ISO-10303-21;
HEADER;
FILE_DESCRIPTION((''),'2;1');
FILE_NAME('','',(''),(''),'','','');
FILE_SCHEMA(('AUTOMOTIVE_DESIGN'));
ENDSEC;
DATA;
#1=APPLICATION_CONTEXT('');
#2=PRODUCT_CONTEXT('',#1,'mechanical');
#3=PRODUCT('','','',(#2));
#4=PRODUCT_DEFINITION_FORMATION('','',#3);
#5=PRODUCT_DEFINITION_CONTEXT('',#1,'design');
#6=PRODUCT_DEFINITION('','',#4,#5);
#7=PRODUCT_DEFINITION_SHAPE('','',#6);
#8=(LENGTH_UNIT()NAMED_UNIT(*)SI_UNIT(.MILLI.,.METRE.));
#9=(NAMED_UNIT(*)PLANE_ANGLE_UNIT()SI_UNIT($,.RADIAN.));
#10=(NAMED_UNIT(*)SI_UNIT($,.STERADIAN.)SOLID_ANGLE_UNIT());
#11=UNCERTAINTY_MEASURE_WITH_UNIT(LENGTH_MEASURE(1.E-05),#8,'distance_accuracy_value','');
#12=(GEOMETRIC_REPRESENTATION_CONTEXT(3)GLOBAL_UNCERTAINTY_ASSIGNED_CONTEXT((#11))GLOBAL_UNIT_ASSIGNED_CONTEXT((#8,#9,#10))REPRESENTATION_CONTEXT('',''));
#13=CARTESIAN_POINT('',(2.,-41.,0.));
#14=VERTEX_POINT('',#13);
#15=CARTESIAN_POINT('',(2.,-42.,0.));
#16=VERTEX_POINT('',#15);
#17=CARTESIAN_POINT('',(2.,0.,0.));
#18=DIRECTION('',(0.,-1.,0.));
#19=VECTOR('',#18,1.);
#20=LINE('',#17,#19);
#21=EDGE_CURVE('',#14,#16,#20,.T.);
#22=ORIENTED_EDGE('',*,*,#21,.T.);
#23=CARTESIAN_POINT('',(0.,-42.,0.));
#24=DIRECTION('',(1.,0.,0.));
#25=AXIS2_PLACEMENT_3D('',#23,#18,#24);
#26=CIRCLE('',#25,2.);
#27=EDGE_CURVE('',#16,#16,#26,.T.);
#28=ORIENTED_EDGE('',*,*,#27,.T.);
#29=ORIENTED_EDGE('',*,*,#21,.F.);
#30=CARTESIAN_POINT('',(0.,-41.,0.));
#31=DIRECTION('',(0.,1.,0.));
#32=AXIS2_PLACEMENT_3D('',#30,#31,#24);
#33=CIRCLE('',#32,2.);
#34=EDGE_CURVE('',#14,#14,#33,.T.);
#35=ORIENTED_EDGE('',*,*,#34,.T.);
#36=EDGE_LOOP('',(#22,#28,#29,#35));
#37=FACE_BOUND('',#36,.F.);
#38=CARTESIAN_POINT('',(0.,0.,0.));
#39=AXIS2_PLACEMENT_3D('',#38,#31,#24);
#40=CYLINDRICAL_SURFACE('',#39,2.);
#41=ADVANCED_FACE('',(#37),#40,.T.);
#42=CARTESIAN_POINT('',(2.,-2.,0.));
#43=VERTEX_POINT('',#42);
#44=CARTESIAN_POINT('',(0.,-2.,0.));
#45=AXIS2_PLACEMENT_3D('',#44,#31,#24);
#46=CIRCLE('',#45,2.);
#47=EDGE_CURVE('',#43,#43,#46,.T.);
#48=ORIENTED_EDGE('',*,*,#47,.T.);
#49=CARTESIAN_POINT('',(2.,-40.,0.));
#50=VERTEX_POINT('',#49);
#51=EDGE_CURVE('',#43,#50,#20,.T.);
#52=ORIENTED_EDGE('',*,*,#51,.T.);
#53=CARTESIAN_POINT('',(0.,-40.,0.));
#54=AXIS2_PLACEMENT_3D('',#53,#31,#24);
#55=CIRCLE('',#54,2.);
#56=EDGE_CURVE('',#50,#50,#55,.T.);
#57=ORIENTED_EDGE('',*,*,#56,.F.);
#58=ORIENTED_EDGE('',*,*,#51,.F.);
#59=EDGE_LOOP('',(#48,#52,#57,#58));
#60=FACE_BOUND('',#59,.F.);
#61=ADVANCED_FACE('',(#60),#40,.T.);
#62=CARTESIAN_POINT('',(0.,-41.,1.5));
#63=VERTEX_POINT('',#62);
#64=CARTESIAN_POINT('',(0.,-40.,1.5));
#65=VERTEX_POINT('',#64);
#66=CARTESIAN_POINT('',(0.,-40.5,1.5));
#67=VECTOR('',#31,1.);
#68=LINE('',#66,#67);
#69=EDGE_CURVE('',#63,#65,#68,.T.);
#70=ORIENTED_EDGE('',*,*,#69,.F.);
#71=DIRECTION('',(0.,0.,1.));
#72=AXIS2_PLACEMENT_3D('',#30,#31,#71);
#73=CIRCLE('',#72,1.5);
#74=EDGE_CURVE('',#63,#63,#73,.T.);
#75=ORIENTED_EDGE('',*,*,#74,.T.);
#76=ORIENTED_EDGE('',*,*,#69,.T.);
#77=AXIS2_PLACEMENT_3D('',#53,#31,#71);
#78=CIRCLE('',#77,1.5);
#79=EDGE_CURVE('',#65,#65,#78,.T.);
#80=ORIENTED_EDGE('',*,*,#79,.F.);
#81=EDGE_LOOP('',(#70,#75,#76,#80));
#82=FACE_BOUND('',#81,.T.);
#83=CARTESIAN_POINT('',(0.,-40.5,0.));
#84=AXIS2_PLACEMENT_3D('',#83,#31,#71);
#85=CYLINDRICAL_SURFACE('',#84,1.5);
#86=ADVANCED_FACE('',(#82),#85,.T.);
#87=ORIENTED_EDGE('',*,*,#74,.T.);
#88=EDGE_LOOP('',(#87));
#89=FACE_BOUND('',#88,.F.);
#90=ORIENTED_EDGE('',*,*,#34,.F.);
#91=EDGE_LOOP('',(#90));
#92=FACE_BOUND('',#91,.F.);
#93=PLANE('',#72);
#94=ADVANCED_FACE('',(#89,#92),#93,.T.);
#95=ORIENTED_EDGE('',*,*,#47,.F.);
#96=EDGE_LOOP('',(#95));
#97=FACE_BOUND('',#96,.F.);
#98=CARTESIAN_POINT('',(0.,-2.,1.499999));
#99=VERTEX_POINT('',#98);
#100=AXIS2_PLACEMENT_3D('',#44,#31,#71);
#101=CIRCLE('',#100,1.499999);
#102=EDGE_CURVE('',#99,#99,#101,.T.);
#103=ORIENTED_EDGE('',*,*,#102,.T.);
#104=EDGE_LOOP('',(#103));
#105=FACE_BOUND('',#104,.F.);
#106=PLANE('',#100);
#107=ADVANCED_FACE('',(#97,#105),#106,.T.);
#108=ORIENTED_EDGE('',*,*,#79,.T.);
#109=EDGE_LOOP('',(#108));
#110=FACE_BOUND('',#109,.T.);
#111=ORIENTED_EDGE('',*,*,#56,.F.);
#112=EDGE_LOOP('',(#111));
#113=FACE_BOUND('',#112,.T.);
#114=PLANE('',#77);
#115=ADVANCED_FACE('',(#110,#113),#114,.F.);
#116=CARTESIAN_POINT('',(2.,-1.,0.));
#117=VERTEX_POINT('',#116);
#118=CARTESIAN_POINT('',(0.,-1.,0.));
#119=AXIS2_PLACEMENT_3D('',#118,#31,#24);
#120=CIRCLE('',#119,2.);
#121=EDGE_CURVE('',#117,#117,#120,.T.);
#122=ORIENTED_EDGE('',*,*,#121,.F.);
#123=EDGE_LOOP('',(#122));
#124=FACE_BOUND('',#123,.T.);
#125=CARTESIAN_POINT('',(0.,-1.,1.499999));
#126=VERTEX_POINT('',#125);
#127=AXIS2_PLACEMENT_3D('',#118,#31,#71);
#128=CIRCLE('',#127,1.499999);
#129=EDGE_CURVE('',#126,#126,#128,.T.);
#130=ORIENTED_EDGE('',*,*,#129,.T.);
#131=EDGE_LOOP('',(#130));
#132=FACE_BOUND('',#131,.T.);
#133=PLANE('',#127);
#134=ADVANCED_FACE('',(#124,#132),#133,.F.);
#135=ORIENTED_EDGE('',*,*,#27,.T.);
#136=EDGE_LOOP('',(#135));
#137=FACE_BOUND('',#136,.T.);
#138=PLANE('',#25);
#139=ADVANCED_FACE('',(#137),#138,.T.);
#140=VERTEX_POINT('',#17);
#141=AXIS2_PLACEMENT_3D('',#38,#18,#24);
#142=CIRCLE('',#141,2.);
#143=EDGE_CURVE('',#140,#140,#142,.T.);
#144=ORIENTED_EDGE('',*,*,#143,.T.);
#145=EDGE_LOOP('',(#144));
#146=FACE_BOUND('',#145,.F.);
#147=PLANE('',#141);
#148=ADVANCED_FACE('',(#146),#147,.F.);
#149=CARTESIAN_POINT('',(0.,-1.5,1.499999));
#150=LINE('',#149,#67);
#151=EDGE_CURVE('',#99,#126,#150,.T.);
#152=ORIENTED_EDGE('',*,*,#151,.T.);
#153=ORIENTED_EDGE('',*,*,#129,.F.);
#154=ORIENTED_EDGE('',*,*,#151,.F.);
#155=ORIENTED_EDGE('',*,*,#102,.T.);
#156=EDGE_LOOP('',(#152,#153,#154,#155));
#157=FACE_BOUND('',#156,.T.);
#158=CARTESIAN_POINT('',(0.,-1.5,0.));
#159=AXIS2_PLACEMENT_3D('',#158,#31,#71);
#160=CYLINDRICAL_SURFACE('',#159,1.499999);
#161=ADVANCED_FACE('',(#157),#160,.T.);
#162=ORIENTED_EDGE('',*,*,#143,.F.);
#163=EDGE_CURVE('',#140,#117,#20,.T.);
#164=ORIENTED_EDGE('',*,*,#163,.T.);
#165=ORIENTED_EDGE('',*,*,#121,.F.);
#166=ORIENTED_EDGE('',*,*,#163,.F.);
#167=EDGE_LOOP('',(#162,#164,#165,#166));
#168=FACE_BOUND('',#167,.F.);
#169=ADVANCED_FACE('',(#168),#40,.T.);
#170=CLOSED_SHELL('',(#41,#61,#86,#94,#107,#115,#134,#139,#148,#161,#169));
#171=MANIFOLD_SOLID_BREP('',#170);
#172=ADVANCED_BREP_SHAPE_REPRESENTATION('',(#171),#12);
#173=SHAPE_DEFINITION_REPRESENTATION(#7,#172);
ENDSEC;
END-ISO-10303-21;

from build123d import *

# Parameters (mm, degrees)
F0_R     = 2
F1_DEPTH = 42
F2_W     = 1
F2_H     = 4.527544
F2_H_2   = 5.616845


with BuildPart() as f1:
    # F0 (on Front) → F1 (new body)
    with BuildSketch(Plane.XZ):
        Circle(F0_R)
    extrude(amount=F1_DEPTH)

    # F2 (on Right) → F3 (revolve, cut)
    with BuildSketch(Plane.YZ):
        with Locations((-40.5, 3.763772)):
            Rectangle(F2_W, F2_H)
        with Locations((-1.5, 4.308422)):
            Rectangle(F2_W, F2_H_2)
    revolve(axis=Axis((0, 0, 0), (0, 1, 0)), mode=Mode.SUBTRACT)


solid = f1.part
